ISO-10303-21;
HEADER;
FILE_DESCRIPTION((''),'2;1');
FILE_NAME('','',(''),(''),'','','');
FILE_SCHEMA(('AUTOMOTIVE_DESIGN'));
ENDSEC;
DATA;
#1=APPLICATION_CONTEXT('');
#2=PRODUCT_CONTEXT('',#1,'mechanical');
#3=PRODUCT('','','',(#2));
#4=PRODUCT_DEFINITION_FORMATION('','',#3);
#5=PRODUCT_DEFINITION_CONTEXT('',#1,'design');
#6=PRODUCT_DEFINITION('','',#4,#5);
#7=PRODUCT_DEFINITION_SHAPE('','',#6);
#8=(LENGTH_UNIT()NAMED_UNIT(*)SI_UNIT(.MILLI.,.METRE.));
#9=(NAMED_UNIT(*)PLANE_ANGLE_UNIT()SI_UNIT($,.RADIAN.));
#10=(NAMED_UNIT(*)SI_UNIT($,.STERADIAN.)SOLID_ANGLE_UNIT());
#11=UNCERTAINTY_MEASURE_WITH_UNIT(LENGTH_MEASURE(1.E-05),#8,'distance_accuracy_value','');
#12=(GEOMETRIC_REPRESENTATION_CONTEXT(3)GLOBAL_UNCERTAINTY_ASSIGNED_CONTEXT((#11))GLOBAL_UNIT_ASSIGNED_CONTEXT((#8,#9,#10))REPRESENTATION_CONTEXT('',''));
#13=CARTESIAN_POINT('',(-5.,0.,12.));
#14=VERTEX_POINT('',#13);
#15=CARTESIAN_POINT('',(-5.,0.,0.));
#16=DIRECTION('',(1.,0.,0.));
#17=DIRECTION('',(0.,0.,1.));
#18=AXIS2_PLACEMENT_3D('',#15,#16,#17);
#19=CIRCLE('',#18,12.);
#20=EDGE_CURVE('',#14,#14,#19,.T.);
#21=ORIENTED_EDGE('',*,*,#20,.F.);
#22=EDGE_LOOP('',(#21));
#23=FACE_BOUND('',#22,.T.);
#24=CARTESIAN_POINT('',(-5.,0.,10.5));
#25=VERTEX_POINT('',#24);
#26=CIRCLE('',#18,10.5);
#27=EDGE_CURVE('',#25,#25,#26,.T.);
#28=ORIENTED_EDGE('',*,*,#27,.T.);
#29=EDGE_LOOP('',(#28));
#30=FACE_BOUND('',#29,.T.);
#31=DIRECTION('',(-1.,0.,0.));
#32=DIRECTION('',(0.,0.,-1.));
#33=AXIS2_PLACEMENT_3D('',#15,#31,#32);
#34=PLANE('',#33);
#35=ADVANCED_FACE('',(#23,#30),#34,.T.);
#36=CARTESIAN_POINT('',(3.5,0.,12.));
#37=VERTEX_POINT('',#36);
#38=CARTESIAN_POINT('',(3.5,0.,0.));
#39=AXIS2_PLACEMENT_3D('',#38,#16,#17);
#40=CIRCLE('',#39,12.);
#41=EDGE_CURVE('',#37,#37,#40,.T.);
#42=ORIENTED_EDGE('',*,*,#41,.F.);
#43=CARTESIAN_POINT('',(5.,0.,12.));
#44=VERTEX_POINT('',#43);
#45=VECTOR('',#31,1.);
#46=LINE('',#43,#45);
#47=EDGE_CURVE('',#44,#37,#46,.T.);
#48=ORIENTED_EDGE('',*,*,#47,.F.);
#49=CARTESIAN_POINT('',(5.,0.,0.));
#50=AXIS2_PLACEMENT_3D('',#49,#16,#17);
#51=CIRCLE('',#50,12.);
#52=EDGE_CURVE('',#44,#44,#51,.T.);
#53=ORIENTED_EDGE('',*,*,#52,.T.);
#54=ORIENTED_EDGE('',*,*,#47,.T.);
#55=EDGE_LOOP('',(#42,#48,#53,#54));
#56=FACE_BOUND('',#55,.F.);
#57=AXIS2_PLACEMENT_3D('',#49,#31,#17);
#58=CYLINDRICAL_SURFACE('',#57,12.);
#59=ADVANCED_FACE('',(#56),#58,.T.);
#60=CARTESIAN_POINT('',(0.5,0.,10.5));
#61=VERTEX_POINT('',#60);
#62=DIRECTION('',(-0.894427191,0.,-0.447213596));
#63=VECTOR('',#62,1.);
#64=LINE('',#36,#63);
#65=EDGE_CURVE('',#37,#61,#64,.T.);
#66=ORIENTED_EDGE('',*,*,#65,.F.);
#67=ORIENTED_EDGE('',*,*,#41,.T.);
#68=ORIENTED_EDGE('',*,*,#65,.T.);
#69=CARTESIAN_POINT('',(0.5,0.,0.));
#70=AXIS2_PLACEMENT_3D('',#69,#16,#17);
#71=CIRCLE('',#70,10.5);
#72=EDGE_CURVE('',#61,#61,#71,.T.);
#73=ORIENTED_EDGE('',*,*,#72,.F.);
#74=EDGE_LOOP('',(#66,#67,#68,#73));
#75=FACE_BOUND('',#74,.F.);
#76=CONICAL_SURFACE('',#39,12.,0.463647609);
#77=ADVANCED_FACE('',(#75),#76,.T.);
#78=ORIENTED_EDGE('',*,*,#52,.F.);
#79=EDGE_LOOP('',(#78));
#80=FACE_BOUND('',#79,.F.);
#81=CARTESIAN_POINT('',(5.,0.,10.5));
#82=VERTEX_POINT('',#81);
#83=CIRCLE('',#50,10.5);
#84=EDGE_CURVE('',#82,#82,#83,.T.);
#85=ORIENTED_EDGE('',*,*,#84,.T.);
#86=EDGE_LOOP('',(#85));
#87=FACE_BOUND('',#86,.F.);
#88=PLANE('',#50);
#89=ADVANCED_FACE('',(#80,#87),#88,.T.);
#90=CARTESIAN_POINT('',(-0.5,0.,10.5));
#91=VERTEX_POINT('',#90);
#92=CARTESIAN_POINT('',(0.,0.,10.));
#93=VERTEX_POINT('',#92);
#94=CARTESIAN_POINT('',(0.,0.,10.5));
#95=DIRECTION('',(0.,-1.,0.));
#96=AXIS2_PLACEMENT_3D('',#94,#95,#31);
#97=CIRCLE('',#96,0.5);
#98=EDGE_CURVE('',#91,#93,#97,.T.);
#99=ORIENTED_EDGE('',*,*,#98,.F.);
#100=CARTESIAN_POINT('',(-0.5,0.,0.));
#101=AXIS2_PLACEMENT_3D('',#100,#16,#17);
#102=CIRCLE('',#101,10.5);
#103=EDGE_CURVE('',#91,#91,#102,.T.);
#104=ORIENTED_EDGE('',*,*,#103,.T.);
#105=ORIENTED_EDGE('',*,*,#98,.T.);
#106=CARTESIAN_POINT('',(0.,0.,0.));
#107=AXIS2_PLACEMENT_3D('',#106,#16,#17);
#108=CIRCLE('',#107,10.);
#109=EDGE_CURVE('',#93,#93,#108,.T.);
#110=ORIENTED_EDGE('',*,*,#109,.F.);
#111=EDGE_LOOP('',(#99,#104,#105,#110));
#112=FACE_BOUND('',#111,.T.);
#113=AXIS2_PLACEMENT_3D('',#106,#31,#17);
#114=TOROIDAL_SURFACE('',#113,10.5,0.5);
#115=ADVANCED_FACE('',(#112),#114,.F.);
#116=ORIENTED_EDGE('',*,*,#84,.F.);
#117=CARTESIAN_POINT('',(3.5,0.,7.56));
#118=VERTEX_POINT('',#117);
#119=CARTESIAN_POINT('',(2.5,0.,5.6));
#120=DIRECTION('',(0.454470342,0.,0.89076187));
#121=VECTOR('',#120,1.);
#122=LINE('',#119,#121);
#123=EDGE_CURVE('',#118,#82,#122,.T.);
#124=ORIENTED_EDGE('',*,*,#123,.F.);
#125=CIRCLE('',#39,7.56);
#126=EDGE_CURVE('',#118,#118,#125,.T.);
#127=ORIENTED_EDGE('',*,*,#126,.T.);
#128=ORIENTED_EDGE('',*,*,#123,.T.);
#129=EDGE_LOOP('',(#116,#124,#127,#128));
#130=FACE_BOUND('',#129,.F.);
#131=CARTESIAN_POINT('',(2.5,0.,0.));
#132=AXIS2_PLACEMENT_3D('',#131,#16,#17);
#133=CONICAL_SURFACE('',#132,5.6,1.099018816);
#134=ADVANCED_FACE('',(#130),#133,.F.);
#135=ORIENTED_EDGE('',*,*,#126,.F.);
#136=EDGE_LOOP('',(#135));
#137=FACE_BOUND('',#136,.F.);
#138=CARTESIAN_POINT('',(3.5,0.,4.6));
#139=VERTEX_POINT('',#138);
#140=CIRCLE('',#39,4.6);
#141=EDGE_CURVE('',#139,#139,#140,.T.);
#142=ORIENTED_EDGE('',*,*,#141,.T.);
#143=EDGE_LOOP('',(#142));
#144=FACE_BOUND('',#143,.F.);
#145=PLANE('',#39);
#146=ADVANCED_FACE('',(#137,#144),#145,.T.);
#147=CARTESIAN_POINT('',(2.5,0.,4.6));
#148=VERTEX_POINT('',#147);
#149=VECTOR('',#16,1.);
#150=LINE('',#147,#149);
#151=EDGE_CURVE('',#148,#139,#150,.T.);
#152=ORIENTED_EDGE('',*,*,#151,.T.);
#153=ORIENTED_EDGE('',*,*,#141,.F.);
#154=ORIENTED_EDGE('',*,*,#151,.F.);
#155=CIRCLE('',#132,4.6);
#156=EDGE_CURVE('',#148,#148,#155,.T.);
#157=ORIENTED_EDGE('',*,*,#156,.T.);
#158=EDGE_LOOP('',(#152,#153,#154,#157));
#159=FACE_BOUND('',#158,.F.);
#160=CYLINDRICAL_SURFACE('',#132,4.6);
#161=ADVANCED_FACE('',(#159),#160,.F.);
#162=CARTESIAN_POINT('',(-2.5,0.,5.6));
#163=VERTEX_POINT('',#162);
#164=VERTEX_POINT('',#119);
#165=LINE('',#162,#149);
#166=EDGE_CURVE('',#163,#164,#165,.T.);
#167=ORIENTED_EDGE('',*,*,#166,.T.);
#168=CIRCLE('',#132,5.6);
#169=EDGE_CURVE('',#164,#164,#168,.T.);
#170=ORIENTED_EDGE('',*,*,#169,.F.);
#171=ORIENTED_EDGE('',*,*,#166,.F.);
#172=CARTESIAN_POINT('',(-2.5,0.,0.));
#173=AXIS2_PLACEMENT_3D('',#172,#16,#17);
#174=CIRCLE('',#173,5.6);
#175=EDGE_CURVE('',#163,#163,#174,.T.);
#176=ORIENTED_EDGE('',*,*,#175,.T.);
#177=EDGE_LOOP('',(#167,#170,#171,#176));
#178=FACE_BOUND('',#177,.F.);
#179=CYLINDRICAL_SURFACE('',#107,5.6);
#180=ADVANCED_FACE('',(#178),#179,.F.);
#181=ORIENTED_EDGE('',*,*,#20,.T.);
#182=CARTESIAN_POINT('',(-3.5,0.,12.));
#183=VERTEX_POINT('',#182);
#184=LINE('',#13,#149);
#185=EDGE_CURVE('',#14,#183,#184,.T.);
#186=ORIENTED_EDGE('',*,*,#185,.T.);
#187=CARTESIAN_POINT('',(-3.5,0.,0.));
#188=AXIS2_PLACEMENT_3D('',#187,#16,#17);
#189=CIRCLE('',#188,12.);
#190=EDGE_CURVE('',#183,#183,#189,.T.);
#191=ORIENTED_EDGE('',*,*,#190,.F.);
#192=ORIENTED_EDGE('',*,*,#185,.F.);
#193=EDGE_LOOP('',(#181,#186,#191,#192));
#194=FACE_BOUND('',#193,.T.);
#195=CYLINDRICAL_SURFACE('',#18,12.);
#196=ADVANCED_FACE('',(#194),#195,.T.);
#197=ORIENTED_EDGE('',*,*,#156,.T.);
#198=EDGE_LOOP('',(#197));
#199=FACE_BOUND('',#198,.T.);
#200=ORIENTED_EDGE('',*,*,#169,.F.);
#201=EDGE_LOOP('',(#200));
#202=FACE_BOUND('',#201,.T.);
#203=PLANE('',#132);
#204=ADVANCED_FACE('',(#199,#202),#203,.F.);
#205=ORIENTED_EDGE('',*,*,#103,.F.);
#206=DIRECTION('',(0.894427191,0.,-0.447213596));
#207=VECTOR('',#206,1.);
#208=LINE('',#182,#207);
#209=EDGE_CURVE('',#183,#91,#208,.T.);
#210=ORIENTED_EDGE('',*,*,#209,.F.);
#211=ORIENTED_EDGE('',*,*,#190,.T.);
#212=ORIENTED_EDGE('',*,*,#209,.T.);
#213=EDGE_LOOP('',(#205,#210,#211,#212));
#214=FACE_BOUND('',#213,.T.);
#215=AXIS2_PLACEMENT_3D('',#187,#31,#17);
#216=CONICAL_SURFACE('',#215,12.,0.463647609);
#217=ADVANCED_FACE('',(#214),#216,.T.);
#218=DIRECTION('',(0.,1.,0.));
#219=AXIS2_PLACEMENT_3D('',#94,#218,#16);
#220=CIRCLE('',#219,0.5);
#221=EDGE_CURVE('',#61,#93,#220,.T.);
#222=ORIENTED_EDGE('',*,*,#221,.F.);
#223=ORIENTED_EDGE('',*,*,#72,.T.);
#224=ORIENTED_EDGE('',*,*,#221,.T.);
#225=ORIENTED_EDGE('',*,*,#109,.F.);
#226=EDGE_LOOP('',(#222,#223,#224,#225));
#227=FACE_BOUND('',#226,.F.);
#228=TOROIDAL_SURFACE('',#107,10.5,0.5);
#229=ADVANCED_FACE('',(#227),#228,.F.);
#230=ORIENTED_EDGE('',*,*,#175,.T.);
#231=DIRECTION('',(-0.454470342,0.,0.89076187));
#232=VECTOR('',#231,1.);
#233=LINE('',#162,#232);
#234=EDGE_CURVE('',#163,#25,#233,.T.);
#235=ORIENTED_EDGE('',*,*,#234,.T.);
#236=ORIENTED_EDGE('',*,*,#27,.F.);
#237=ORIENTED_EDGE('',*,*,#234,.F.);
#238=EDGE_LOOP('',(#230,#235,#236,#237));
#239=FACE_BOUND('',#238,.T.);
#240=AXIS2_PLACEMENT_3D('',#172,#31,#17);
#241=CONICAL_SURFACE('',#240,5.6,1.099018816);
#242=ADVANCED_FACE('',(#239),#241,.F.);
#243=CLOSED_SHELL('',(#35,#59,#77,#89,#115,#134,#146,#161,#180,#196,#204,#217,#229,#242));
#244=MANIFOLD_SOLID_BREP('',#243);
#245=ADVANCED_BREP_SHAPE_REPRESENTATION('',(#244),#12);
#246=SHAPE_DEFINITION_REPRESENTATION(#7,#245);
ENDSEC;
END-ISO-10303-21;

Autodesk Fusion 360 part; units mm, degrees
sketch "Sketch1" plane through (0, 0, 0) normal (0, 1, 0) x (1, 0, 0)
  line L0 (0, 0) -> (5, 0)
  line L1 (5, 0) -> (5, -10.5)
  line L2 (5, -10.5) -> (0, -10.5)
  line L3 (0, -10.5) -> (0, 0)
  line L4 (5, -10.5) -> (5, -12)
  line L5 (5, -12) -> (3.5, -12)
  circle A0 centre (0, -10.5) radius 0.5
  line L6 (3.5, -12) -> (0.5, -10.5)
  line L7 (0, 0) -> (0, -5.6)
  line L8 (0, -5.6) -> (2.5, -5.6)
  line L9 (2.5, -5.6) -> (5, -10.5)
  point P0 (0, -10)
  dimension "d1" = 5
  dimension "d2" = 10.5
  dimension "d3" = 1
  dimension "d7" = 1.5
  dimension "d8" = 1.5
  dimension "d9" = 5.6
  dimension "d10" = 2.5
revolve "Revolve1" add sketch "Sketch1" angle 360 about axis through (1.75, 0, 0) along (1, 0, 0) contours L2 L3 A0 L8 L9 | L2 L4 L5 L6
mirror "Mirror1" about plane through (0, 0, 0) normal (1, 0, 0) of bodies 1 merged
sketch "Sketch2" plane through (0, 0, 0) normal (0, 1, 0) x (1, 0, 0)
  line L0 (0, 0) -> (5, 0)
  line L1 (5, 0) -> (5, -10.5)
  line L2 (2.5, 0) -> (2.5, -5.6)
  line L3 (5, -10.5) -> (2.5, -5.6)
  line L4 (3.5, 0) -> (3.5, -7.56)
  line L5 (2.5, -4.6) -> (3.5, -4.6)
  dimension "d11" = 10.5
  dimension "d12" = 5.6
  dimension "d13" = 1
  dimension "d14" = 1
revolve "Revolve2" add sketch "Sketch2" angle 360 about axis through (0, 0, 0) along (1, 0, 0) contours L2 L3 L4 L5
